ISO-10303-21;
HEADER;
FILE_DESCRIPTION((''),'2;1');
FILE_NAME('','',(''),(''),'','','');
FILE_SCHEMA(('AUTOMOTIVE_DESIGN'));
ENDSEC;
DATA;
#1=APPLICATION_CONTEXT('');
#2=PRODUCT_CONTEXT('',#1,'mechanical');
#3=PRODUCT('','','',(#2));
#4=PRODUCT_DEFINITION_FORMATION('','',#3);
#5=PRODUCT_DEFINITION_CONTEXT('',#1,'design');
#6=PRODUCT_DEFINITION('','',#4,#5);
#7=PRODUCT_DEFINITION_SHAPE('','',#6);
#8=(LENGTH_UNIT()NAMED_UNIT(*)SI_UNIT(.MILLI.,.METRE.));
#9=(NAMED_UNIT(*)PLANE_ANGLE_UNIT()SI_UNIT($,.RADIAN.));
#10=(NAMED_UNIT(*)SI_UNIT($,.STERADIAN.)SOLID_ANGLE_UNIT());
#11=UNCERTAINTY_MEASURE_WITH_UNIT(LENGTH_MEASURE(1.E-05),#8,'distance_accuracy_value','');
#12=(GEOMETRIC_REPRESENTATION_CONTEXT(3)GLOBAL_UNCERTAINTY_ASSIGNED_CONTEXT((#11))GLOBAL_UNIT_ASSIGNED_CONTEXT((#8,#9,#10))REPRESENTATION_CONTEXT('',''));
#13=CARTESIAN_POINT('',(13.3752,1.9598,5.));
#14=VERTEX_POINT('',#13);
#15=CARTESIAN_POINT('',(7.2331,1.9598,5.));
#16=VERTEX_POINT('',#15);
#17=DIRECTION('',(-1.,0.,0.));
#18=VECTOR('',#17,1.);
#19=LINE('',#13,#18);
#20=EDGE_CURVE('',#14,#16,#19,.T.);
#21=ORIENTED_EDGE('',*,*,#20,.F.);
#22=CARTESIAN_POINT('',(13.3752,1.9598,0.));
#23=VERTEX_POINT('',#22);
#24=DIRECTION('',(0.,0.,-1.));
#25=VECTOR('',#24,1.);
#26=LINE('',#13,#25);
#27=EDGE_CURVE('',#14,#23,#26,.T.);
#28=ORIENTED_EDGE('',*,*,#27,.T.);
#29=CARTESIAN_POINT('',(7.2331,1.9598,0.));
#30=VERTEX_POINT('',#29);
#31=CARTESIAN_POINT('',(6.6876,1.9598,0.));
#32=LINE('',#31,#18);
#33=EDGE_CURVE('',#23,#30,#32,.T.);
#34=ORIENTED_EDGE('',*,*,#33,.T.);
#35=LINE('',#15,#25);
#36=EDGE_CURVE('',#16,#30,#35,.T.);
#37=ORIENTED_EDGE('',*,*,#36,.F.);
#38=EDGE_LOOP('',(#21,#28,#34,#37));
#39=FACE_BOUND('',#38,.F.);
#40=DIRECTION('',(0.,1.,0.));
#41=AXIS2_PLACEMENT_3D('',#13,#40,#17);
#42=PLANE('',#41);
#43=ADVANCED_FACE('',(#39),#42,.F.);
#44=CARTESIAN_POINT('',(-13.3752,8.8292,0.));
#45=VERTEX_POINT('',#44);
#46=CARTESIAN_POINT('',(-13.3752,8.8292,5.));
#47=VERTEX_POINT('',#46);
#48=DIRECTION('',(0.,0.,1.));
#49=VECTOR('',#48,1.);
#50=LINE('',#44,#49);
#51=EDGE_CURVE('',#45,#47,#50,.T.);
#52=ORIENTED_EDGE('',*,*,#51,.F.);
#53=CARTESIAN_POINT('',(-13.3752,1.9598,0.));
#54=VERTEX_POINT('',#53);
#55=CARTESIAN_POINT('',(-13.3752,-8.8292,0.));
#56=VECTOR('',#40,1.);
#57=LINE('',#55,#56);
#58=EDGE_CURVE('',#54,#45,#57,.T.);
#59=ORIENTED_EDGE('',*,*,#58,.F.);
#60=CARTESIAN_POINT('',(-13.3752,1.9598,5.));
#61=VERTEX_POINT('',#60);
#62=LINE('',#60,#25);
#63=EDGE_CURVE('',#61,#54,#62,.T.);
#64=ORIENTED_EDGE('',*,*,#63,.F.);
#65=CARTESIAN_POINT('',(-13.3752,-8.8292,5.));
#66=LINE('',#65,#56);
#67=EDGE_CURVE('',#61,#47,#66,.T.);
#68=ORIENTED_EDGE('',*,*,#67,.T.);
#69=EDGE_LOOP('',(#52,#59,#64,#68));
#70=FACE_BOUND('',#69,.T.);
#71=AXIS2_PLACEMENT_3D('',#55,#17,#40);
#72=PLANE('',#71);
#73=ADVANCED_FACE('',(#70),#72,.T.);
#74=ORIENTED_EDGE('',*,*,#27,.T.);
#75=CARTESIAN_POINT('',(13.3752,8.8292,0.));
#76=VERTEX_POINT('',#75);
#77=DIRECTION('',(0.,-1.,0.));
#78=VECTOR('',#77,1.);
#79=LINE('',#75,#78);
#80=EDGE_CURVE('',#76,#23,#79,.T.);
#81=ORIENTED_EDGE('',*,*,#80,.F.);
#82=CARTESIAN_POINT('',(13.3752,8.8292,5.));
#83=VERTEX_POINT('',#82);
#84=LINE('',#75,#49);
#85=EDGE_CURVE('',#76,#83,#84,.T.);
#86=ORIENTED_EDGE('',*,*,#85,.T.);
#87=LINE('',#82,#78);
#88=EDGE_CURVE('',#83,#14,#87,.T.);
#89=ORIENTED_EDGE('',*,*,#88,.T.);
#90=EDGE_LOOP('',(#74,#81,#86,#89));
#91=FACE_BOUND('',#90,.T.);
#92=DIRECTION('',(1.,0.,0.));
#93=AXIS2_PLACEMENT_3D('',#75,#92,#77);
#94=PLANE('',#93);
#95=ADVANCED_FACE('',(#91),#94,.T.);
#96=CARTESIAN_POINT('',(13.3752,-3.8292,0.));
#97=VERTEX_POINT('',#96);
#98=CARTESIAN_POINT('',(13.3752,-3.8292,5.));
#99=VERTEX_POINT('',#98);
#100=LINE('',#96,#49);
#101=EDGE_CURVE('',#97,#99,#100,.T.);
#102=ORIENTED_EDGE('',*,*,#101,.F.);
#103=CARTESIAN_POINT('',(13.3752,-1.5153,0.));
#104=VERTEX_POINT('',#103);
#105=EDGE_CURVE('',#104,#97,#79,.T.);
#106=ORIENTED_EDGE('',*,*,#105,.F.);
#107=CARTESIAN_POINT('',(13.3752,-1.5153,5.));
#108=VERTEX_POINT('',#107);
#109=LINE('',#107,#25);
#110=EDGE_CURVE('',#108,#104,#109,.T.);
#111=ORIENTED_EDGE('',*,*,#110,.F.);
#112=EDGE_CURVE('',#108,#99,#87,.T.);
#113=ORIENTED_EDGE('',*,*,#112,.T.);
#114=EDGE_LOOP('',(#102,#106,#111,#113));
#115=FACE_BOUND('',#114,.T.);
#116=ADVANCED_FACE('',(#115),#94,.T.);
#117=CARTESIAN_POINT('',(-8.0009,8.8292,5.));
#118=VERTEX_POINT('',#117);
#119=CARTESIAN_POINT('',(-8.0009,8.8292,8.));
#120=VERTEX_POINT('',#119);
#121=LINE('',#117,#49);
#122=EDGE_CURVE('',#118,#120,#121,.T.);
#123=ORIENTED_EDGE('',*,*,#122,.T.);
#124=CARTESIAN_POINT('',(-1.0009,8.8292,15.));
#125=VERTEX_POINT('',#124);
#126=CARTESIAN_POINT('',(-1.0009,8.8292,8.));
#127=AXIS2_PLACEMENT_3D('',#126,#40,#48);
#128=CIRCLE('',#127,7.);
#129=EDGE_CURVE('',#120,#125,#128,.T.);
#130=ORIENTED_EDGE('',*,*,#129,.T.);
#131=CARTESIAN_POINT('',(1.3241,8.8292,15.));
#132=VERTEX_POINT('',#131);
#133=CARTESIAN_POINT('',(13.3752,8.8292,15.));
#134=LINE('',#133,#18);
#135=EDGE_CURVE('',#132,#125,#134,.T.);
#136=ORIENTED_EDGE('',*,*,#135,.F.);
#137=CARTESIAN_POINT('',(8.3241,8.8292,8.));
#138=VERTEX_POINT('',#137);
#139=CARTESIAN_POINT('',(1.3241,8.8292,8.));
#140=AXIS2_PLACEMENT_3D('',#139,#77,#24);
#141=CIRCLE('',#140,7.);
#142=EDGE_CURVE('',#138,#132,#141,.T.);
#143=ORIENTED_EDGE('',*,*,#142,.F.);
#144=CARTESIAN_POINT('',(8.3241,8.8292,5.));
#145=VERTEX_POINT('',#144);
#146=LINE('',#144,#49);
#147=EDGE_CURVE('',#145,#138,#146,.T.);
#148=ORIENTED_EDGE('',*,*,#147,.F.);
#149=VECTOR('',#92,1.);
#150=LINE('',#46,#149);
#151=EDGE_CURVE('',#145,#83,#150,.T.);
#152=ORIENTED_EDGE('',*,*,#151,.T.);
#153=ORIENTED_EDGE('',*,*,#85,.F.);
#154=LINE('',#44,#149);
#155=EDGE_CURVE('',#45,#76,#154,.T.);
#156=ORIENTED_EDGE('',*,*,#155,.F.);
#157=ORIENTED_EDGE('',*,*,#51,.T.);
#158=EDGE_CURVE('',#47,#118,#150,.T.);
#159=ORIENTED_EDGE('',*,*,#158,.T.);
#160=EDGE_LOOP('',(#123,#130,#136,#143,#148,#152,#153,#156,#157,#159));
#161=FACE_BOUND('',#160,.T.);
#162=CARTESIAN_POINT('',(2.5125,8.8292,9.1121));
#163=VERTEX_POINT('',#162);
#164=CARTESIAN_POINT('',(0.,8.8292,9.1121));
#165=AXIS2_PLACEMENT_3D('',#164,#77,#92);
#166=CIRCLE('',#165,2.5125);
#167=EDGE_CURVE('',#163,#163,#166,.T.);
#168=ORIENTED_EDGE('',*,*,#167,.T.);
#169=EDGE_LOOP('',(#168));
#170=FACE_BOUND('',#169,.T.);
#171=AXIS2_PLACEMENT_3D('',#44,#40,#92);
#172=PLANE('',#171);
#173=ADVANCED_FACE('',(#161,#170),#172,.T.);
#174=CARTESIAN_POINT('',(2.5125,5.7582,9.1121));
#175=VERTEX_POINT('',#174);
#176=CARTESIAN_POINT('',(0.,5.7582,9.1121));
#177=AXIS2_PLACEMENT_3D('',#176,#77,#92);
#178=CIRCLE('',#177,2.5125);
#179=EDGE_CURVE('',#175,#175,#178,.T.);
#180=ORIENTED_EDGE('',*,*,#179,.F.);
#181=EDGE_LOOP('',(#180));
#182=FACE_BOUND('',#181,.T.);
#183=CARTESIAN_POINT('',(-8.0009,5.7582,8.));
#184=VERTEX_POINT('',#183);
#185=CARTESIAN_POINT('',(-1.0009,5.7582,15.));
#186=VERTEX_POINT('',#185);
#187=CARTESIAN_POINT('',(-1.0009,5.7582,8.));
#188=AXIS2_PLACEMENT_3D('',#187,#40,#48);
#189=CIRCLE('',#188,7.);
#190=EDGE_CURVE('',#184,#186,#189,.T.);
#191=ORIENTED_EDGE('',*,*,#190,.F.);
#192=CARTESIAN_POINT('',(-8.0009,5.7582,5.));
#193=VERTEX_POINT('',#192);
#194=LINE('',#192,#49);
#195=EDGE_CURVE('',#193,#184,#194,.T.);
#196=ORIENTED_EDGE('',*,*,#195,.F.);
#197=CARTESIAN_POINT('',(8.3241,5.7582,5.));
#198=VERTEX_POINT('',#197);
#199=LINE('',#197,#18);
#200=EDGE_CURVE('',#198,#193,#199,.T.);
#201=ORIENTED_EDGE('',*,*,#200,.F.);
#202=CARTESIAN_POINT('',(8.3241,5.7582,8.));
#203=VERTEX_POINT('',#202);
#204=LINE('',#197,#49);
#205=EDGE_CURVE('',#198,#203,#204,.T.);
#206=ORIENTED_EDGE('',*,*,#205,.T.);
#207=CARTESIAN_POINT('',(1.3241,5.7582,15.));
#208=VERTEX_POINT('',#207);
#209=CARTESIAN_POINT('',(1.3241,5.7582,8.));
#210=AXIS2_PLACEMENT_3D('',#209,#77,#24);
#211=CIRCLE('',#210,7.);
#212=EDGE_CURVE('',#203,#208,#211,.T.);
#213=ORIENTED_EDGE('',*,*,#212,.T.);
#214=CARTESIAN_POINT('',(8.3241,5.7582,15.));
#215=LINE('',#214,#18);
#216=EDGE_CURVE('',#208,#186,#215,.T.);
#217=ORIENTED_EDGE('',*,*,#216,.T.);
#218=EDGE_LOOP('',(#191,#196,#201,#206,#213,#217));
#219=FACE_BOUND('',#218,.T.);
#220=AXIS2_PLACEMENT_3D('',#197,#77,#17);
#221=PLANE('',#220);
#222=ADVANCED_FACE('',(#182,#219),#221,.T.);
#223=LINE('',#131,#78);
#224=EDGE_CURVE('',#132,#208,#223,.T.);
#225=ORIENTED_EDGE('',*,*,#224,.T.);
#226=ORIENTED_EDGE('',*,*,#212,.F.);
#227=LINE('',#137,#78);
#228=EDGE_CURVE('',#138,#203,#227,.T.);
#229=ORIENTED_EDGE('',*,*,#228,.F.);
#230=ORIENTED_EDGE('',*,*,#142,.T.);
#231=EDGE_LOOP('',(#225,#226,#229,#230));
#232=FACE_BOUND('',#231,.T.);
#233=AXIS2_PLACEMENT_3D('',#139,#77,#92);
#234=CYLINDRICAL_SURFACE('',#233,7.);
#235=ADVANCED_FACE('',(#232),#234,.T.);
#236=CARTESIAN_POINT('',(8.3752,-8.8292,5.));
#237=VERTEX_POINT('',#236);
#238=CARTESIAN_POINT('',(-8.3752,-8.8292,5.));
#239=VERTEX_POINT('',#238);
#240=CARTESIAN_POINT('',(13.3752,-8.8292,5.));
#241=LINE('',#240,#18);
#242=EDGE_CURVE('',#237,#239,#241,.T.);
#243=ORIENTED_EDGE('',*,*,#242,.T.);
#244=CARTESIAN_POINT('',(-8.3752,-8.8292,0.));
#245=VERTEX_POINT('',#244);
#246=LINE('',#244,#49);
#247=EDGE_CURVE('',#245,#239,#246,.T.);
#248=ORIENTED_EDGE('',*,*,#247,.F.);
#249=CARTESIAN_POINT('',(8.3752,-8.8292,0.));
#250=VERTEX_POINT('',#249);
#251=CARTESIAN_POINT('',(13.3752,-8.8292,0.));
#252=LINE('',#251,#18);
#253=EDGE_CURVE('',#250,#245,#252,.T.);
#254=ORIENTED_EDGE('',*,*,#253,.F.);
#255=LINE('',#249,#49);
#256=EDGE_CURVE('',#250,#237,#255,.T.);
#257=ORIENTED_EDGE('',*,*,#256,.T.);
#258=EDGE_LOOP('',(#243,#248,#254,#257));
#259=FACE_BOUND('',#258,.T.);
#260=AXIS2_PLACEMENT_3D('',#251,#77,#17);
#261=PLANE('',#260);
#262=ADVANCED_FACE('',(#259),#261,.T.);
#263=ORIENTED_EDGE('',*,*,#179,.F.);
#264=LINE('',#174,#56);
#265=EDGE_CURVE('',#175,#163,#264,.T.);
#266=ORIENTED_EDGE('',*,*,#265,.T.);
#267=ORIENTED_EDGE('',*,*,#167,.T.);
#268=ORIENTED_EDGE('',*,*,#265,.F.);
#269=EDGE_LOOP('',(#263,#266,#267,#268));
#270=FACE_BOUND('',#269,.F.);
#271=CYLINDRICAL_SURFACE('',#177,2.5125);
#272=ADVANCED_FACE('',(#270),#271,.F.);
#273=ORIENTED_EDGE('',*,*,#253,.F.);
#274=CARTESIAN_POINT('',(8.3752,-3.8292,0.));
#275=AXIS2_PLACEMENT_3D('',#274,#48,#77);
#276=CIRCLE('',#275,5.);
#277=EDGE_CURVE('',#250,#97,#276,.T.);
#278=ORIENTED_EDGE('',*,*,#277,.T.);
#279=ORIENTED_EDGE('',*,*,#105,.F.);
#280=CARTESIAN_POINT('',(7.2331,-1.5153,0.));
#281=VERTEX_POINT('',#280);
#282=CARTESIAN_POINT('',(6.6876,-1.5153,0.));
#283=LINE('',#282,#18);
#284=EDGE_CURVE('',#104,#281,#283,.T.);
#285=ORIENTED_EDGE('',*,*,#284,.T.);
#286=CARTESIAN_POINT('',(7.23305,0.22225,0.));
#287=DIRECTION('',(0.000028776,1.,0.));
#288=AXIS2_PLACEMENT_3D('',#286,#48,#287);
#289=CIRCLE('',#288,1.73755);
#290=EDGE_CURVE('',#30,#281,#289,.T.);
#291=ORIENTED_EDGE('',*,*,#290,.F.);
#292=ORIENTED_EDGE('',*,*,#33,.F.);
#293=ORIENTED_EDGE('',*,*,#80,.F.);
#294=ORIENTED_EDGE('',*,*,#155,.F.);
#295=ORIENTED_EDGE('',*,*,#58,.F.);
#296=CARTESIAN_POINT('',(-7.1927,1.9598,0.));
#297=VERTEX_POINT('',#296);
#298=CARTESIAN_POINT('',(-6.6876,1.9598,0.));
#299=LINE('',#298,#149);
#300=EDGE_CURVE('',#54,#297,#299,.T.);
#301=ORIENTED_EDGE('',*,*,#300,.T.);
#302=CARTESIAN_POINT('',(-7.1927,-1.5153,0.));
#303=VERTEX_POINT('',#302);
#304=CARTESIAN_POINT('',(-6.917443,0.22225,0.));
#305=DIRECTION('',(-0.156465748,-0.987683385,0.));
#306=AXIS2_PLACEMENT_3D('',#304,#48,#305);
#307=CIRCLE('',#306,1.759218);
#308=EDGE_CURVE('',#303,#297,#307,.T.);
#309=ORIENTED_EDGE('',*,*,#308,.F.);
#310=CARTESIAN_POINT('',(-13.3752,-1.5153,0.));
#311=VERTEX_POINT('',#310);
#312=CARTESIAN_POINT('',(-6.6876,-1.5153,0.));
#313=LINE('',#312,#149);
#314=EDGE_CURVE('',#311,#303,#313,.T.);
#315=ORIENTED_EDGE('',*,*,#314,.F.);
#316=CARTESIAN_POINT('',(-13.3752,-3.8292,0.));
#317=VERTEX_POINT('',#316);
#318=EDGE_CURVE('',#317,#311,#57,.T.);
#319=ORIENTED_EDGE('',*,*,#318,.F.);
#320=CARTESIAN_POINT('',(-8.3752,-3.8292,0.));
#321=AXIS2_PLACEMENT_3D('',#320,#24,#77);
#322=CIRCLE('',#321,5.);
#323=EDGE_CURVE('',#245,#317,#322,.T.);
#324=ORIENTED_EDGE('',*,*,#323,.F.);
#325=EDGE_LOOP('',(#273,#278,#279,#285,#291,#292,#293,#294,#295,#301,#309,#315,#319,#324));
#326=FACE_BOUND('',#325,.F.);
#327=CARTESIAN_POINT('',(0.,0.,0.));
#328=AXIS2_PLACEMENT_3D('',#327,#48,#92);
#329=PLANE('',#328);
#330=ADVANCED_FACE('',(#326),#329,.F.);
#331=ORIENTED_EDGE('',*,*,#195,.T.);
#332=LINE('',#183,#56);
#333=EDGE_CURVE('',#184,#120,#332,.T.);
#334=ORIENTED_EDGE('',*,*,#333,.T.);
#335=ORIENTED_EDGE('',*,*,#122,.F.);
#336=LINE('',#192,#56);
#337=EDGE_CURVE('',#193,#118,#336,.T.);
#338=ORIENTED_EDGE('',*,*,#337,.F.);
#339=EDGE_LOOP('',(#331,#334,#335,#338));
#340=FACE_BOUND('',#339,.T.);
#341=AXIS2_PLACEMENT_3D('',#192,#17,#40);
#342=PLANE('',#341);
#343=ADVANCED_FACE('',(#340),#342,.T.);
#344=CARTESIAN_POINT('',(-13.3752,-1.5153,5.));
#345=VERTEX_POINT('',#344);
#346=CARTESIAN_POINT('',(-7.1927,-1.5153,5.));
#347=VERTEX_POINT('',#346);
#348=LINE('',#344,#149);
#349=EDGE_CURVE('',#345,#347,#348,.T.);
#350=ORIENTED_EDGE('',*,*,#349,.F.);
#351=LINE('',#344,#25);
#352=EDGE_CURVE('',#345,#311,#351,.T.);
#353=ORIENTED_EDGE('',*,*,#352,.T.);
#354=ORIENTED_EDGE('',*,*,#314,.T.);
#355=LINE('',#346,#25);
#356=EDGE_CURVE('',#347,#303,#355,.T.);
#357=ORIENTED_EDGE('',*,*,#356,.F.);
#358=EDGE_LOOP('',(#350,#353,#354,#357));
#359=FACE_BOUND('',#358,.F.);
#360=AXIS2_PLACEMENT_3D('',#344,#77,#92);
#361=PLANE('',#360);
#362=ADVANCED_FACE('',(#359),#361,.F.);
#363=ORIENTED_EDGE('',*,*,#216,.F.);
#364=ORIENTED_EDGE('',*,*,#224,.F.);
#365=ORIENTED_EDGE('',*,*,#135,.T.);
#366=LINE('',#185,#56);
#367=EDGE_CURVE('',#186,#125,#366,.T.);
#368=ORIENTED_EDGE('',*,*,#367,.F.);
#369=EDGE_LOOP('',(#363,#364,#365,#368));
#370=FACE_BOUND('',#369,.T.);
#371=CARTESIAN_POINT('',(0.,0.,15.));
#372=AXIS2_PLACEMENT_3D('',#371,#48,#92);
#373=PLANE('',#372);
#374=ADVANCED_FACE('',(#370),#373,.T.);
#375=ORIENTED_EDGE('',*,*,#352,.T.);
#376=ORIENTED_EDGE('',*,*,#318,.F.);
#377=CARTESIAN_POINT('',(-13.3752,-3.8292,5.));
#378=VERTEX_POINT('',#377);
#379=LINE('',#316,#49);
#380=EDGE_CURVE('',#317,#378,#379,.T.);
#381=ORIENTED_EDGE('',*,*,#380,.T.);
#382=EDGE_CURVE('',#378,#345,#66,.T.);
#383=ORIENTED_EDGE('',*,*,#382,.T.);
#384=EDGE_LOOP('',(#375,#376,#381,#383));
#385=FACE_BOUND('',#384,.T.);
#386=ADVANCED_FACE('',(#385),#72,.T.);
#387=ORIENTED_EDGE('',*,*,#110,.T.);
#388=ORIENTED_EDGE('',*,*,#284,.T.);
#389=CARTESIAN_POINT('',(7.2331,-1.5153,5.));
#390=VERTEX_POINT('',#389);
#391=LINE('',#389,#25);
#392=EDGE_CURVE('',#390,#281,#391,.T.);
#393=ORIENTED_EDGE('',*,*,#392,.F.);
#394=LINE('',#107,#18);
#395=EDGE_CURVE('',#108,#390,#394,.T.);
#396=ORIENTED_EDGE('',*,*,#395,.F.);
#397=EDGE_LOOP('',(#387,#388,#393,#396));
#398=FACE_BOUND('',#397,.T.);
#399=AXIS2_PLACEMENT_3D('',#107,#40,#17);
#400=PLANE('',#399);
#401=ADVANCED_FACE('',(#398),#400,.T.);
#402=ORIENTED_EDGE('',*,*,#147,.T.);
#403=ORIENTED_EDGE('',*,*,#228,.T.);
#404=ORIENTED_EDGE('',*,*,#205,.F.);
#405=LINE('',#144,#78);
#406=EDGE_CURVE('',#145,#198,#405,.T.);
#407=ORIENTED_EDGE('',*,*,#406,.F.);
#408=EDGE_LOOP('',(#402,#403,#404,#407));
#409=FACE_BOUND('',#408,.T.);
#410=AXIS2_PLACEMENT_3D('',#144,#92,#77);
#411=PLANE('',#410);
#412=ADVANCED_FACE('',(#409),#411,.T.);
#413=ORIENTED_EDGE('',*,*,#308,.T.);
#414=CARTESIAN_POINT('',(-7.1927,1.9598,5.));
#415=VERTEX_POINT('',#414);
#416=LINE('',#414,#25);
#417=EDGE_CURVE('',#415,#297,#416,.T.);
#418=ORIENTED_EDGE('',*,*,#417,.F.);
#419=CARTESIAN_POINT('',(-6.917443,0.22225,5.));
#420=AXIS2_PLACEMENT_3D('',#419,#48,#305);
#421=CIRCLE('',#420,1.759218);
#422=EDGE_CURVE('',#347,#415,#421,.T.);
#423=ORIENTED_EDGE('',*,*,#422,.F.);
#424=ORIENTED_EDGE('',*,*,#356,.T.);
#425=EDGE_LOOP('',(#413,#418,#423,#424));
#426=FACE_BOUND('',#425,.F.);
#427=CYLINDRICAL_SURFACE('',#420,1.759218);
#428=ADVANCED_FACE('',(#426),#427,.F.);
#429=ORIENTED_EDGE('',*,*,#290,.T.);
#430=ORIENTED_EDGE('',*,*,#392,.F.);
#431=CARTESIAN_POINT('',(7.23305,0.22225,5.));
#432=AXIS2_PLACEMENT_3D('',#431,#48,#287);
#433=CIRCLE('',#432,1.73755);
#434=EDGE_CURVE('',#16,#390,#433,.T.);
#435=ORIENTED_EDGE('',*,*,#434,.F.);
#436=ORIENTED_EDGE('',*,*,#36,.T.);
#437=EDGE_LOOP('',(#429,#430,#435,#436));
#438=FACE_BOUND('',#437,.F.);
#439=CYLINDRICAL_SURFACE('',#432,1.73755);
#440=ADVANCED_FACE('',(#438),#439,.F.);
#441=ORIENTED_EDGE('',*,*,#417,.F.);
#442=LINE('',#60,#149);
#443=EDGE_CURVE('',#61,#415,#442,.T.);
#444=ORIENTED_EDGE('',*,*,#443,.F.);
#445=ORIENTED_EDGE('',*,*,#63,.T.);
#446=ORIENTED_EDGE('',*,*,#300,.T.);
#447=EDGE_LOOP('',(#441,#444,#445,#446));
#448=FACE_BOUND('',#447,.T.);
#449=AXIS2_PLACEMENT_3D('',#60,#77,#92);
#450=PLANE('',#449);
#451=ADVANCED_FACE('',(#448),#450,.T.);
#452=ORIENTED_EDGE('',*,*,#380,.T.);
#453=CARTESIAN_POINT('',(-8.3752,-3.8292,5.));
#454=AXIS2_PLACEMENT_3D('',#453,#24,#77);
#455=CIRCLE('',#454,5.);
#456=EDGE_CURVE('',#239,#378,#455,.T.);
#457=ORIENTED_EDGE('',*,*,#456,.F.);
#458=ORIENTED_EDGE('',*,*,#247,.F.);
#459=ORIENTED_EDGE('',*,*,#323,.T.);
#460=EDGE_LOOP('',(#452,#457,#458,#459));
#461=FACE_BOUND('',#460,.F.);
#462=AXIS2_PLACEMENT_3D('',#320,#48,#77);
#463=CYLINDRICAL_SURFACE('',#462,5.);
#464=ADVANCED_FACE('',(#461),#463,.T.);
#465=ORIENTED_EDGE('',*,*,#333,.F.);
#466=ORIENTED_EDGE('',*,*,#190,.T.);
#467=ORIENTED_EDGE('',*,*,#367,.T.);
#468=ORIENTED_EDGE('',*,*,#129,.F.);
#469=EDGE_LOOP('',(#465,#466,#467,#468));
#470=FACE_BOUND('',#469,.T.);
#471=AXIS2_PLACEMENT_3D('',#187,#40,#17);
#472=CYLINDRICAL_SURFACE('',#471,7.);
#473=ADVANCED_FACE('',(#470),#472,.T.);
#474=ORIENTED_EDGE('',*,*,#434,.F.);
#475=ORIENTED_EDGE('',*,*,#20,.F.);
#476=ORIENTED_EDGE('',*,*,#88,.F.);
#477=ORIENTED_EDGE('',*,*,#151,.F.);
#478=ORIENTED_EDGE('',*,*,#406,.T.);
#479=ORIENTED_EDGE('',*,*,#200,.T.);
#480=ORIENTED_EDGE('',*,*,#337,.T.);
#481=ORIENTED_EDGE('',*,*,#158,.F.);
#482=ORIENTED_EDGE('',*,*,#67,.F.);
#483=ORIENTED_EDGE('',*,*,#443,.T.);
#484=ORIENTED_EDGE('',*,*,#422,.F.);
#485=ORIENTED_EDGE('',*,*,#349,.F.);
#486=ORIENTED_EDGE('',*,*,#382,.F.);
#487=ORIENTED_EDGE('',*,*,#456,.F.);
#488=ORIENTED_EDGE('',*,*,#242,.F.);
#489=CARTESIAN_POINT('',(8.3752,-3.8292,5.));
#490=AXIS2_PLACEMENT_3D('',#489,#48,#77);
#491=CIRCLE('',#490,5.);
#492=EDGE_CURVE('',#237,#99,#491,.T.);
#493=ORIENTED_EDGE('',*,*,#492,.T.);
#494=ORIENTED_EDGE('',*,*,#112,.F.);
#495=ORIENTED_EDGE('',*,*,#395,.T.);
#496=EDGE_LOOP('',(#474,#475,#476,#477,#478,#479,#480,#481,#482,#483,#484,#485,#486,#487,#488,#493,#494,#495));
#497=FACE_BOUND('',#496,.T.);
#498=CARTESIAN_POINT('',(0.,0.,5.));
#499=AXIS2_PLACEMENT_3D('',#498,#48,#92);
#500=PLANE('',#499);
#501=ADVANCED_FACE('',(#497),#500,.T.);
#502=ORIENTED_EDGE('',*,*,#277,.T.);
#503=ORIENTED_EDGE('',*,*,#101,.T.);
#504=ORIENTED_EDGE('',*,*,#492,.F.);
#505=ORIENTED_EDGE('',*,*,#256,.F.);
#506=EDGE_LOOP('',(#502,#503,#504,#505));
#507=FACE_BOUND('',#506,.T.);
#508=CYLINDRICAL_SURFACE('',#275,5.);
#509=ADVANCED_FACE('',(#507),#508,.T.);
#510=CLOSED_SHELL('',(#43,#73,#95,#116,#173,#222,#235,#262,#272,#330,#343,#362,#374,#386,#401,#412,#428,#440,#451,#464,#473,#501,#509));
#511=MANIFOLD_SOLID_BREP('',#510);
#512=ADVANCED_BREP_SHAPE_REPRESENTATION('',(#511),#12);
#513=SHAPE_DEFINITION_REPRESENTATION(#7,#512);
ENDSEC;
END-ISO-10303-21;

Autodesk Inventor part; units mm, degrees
ref_plane "YZ Plane" through (0, 0, 0) normal (1, 0, 0) x (0, 1, 0)
ref_plane "XZ Plane" through (0, 0, 0) normal (0, 1, 0) x (-1, 0, 0)
ref_plane "XY Plane" through (0, 0, 0) normal (0, 0, 1) x (1, 0, 0)
sketch "스케치1" plane through (0, 0, 0) normal (0, 0, 1) x (1, 0, 0)
  line L0 (13.3752, -8.8292) -> (-13.3752, -8.8292)
  line L1 (-13.3752, -8.8292) -> (-13.3752, 8.8292)
  line L2 (-13.3752, 8.8292) -> (13.3752, 8.8292)
  line L3 (13.3752, 8.8292) -> (13.3752, -8.8292)
  line L4 (13.3752, -8.8292) -> (-13.3752, 8.8292) construction
  line L5 (-13.3752, -8.8292) -> (13.3752, 8.8292) construction
  point P0 (0, 0)
extrude "돌출1" add sketch "스케치1" along normal blind 5
sketch "스케치2" plane through (0, 0, 5) normal (0, 0, 1) x (1, 0, 0)
  line L0 (13.3752, 8.8292) -> (-13.3752, 8.8292) projected
  line L1 (-8.0009, 8.8292) -> (8.3241, 8.8292)
  line L2 (8.3241, 8.8292) -> (8.3241, 5.7582)
  line L3 (8.3241, 5.7582) -> (-8.0009, 5.7582)
  line L4 (-8.0009, 5.7582) -> (-8.0009, 8.8292)
  line L5 (-13.3752, 8.8292) -> (-13.3752, -8.8292) projected
  line L6 (-13.3752, 1.9598) -> (-7.1927, 1.9598)
  line L7 (-13.3752, -1.5153) -> (-7.1927, -1.5153)
  arc A0 (-7.1927, -1.5153) -> (-7.1927, 1.9598) centre (-6.9174, 0.2222) ccw
  line L8 (13.3752, -8.8292) -> (13.3752, 8.8292) projected
  line L9 (13.3752, 1.9598) -> (7.2331, 1.9598)
  line L10 (13.3752, -1.5153) -> (7.2331, -1.5153)
  arc A1 (7.2331, 1.9598) -> (7.2331, -1.5153) centre (7.2331, 0.2222) ccw
  point P0 (0, 0)
extrude "돌출2" add sketch "스케치2" along normal blind 10 contours L2 L3 L4 L0
extrude "돌출3" cut sketch "스케치2" against normal blind 10 contours L6 A0 L7 L5 | L8 L10 A1 L9
sketch "스케치3" plane through (-8.0009, 5.7582, 5) normal (0, -1, 0) x (1, 0, 0)
  circle A0 centre (8.0009, 4.1121) radius 2.5125
  line L0 (0, 10) -> (16.325, 10) projected
  line L1 (0, 0) -> (0, 10) projected
  arc A1 (8.1625, 10) -> (0, 4.1121) centre (8.0451, 1.5609) ccw
  line L2 (16.325, 0) -> (16.325, 10) projected
  arc A2 (16.325, 4.1121) -> (8.1625, 10) centre (7.959, 1.1161) ccw
  point P0 (8.0009, -5)
extrude "돌출4" cut sketch "스케치3" against normal blind 10 contours A0
fillet "모깎기1" radius 5 2 edges at (13.3752, -8.8292, 2.5) (-13.3752, -8.8292, 2.5)
sketch "스케치4" plane through (-8.0009, 5.7582, 5) normal (0, -1, 0) x (1, 0, 0)
  point P0 (8.0009, -5)
fillet "모깎기2" radius 7 2 edges at (8.3241, 7.2937, 15) (-8.0009, 7.2937, 15)
properties part number "240531_3Dsketch01"
